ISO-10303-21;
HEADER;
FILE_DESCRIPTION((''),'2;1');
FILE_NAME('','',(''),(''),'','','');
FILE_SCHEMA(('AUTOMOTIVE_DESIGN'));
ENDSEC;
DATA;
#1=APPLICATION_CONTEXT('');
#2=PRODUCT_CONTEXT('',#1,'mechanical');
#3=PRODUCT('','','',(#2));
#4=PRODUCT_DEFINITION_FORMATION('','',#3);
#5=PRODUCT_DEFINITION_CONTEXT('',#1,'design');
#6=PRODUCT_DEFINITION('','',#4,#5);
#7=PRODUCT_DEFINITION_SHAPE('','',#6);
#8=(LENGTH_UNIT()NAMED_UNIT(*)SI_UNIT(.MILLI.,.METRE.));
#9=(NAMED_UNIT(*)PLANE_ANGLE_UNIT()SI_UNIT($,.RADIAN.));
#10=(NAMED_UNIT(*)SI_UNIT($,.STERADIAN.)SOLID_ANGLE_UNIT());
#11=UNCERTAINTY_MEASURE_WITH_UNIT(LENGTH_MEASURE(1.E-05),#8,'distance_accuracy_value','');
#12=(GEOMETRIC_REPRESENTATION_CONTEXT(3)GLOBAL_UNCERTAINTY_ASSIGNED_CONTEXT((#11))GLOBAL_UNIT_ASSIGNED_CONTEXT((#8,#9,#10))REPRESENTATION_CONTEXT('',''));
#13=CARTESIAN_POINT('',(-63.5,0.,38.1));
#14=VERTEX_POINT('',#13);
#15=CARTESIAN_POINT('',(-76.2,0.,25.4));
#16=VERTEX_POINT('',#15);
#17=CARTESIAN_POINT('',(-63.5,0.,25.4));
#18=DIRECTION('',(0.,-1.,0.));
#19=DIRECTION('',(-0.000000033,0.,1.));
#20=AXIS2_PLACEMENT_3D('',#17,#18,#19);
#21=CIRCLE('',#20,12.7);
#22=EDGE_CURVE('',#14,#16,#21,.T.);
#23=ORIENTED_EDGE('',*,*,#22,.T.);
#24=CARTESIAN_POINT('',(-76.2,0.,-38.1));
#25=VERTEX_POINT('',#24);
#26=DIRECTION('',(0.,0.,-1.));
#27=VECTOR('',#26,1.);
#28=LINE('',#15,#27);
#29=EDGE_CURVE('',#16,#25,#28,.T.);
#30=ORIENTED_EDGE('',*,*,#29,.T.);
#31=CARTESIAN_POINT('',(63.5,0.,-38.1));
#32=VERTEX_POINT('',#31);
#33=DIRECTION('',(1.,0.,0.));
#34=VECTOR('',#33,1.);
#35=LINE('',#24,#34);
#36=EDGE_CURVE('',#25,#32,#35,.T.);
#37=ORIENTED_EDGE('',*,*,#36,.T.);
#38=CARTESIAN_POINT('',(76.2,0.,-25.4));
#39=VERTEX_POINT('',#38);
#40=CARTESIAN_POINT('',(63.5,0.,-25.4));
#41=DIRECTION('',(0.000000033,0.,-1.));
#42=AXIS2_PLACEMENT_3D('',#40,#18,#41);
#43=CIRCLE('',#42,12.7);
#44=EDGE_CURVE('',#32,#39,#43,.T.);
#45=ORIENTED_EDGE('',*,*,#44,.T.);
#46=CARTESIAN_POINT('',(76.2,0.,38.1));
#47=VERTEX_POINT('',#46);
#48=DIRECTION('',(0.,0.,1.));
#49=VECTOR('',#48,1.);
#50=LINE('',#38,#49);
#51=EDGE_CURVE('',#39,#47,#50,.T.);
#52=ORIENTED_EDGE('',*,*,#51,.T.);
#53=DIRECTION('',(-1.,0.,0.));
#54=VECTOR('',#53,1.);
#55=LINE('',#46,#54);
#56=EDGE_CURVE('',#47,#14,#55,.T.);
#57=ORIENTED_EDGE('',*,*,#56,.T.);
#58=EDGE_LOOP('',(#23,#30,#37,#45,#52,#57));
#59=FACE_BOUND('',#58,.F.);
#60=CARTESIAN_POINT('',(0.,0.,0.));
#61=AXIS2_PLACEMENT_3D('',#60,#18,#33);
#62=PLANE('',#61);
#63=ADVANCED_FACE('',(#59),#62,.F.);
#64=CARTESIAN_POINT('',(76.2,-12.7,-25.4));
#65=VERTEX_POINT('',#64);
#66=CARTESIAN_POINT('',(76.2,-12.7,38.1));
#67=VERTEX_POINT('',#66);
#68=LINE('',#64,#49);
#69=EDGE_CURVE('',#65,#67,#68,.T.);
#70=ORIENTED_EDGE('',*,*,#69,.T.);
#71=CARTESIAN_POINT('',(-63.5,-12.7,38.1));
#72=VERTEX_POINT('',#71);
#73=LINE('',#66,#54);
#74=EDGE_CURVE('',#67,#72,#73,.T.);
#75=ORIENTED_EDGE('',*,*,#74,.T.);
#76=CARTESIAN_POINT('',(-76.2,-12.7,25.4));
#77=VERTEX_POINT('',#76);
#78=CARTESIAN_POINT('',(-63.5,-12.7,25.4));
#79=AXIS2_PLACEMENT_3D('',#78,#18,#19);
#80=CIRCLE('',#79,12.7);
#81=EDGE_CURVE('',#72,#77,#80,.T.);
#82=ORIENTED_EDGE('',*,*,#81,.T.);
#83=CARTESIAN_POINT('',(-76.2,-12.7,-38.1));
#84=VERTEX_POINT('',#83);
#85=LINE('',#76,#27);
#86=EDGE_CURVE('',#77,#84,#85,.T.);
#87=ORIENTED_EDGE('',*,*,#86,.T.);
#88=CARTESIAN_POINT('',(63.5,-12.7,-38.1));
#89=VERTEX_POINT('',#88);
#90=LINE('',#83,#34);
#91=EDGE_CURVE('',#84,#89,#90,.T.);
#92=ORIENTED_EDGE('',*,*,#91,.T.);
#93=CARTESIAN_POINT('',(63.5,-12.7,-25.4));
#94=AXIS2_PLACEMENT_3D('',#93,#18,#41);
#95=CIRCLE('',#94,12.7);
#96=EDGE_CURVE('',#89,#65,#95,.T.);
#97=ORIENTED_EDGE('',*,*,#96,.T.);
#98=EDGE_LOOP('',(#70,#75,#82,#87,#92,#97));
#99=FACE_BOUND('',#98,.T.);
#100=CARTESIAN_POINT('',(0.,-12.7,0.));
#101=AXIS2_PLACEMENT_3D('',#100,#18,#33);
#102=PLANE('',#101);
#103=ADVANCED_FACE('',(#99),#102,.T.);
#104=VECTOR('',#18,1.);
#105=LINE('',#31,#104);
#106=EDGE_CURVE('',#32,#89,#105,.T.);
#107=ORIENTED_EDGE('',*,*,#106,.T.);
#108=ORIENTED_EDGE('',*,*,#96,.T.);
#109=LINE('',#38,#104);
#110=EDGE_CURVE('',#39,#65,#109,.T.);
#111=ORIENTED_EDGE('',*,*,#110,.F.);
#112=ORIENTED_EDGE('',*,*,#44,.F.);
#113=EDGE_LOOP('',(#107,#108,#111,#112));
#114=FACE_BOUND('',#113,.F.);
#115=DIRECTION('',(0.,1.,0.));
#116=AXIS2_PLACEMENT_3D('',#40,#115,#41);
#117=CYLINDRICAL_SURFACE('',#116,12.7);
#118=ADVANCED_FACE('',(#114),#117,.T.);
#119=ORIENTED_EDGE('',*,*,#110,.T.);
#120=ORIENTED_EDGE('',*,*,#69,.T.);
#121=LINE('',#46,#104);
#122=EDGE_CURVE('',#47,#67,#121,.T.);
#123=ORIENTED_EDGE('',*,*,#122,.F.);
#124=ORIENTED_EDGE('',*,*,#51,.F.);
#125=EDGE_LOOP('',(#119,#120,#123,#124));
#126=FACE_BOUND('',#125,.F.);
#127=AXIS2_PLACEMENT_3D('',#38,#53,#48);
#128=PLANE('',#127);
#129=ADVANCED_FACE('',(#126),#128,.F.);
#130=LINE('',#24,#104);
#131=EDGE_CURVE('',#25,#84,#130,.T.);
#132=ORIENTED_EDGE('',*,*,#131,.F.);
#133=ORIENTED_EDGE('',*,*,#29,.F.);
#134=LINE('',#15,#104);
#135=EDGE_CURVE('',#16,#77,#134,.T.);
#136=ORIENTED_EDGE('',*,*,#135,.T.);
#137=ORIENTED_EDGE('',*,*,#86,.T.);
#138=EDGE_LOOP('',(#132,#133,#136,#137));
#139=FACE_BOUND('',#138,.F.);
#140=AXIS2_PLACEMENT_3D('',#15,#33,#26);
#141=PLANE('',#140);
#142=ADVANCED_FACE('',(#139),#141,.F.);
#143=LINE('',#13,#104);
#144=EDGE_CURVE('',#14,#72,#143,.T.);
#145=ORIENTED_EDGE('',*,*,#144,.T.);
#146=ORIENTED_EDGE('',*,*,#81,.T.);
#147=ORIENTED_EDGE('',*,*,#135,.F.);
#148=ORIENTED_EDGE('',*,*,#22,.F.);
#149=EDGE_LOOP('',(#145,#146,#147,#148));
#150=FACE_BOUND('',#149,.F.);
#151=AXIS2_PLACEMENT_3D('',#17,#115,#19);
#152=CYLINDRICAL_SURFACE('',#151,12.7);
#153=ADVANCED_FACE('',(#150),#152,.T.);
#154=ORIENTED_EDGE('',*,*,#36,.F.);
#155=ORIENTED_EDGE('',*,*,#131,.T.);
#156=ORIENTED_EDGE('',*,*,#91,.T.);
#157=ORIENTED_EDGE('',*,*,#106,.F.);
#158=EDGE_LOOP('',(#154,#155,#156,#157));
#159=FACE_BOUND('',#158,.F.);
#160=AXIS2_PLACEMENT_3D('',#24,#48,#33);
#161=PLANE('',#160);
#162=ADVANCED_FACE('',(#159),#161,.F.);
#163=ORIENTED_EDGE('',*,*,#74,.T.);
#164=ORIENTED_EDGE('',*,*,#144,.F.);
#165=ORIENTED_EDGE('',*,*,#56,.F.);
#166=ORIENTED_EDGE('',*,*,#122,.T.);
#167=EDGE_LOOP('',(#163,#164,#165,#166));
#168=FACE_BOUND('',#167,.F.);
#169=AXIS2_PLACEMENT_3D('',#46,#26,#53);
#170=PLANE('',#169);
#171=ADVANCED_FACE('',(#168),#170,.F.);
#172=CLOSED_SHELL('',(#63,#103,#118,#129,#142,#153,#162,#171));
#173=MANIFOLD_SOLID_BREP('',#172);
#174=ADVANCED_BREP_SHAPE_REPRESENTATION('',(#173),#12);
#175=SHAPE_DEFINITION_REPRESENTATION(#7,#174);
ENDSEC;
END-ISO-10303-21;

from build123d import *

# Parameters (mm, degrees)
F1_DEPTH = 12.7


with BuildPart() as f1:
    # F0 (on Front) → F1 (new body)
    with BuildSketch(Plane.XZ):
        with BuildLine():
            Line((76.2, -25.4), (76.2, 38.1))
            Line((76.2, 38.1), (-63.5, 38.1))
            ThreePointArc((-63.5, 38.1), (-72.480256, 34.380256), (-76.2, 25.4))
            Line((-76.2, 25.4), (-76.2, -38.1))
            Line((-76.2, -38.1), (63.5, -38.1))
            ThreePointArc((63.5, -38.1), (72.480256, -34.380256), (76.2, -25.4))
        make_face()
    extrude(amount=F1_DEPTH)


solid = f1.part
